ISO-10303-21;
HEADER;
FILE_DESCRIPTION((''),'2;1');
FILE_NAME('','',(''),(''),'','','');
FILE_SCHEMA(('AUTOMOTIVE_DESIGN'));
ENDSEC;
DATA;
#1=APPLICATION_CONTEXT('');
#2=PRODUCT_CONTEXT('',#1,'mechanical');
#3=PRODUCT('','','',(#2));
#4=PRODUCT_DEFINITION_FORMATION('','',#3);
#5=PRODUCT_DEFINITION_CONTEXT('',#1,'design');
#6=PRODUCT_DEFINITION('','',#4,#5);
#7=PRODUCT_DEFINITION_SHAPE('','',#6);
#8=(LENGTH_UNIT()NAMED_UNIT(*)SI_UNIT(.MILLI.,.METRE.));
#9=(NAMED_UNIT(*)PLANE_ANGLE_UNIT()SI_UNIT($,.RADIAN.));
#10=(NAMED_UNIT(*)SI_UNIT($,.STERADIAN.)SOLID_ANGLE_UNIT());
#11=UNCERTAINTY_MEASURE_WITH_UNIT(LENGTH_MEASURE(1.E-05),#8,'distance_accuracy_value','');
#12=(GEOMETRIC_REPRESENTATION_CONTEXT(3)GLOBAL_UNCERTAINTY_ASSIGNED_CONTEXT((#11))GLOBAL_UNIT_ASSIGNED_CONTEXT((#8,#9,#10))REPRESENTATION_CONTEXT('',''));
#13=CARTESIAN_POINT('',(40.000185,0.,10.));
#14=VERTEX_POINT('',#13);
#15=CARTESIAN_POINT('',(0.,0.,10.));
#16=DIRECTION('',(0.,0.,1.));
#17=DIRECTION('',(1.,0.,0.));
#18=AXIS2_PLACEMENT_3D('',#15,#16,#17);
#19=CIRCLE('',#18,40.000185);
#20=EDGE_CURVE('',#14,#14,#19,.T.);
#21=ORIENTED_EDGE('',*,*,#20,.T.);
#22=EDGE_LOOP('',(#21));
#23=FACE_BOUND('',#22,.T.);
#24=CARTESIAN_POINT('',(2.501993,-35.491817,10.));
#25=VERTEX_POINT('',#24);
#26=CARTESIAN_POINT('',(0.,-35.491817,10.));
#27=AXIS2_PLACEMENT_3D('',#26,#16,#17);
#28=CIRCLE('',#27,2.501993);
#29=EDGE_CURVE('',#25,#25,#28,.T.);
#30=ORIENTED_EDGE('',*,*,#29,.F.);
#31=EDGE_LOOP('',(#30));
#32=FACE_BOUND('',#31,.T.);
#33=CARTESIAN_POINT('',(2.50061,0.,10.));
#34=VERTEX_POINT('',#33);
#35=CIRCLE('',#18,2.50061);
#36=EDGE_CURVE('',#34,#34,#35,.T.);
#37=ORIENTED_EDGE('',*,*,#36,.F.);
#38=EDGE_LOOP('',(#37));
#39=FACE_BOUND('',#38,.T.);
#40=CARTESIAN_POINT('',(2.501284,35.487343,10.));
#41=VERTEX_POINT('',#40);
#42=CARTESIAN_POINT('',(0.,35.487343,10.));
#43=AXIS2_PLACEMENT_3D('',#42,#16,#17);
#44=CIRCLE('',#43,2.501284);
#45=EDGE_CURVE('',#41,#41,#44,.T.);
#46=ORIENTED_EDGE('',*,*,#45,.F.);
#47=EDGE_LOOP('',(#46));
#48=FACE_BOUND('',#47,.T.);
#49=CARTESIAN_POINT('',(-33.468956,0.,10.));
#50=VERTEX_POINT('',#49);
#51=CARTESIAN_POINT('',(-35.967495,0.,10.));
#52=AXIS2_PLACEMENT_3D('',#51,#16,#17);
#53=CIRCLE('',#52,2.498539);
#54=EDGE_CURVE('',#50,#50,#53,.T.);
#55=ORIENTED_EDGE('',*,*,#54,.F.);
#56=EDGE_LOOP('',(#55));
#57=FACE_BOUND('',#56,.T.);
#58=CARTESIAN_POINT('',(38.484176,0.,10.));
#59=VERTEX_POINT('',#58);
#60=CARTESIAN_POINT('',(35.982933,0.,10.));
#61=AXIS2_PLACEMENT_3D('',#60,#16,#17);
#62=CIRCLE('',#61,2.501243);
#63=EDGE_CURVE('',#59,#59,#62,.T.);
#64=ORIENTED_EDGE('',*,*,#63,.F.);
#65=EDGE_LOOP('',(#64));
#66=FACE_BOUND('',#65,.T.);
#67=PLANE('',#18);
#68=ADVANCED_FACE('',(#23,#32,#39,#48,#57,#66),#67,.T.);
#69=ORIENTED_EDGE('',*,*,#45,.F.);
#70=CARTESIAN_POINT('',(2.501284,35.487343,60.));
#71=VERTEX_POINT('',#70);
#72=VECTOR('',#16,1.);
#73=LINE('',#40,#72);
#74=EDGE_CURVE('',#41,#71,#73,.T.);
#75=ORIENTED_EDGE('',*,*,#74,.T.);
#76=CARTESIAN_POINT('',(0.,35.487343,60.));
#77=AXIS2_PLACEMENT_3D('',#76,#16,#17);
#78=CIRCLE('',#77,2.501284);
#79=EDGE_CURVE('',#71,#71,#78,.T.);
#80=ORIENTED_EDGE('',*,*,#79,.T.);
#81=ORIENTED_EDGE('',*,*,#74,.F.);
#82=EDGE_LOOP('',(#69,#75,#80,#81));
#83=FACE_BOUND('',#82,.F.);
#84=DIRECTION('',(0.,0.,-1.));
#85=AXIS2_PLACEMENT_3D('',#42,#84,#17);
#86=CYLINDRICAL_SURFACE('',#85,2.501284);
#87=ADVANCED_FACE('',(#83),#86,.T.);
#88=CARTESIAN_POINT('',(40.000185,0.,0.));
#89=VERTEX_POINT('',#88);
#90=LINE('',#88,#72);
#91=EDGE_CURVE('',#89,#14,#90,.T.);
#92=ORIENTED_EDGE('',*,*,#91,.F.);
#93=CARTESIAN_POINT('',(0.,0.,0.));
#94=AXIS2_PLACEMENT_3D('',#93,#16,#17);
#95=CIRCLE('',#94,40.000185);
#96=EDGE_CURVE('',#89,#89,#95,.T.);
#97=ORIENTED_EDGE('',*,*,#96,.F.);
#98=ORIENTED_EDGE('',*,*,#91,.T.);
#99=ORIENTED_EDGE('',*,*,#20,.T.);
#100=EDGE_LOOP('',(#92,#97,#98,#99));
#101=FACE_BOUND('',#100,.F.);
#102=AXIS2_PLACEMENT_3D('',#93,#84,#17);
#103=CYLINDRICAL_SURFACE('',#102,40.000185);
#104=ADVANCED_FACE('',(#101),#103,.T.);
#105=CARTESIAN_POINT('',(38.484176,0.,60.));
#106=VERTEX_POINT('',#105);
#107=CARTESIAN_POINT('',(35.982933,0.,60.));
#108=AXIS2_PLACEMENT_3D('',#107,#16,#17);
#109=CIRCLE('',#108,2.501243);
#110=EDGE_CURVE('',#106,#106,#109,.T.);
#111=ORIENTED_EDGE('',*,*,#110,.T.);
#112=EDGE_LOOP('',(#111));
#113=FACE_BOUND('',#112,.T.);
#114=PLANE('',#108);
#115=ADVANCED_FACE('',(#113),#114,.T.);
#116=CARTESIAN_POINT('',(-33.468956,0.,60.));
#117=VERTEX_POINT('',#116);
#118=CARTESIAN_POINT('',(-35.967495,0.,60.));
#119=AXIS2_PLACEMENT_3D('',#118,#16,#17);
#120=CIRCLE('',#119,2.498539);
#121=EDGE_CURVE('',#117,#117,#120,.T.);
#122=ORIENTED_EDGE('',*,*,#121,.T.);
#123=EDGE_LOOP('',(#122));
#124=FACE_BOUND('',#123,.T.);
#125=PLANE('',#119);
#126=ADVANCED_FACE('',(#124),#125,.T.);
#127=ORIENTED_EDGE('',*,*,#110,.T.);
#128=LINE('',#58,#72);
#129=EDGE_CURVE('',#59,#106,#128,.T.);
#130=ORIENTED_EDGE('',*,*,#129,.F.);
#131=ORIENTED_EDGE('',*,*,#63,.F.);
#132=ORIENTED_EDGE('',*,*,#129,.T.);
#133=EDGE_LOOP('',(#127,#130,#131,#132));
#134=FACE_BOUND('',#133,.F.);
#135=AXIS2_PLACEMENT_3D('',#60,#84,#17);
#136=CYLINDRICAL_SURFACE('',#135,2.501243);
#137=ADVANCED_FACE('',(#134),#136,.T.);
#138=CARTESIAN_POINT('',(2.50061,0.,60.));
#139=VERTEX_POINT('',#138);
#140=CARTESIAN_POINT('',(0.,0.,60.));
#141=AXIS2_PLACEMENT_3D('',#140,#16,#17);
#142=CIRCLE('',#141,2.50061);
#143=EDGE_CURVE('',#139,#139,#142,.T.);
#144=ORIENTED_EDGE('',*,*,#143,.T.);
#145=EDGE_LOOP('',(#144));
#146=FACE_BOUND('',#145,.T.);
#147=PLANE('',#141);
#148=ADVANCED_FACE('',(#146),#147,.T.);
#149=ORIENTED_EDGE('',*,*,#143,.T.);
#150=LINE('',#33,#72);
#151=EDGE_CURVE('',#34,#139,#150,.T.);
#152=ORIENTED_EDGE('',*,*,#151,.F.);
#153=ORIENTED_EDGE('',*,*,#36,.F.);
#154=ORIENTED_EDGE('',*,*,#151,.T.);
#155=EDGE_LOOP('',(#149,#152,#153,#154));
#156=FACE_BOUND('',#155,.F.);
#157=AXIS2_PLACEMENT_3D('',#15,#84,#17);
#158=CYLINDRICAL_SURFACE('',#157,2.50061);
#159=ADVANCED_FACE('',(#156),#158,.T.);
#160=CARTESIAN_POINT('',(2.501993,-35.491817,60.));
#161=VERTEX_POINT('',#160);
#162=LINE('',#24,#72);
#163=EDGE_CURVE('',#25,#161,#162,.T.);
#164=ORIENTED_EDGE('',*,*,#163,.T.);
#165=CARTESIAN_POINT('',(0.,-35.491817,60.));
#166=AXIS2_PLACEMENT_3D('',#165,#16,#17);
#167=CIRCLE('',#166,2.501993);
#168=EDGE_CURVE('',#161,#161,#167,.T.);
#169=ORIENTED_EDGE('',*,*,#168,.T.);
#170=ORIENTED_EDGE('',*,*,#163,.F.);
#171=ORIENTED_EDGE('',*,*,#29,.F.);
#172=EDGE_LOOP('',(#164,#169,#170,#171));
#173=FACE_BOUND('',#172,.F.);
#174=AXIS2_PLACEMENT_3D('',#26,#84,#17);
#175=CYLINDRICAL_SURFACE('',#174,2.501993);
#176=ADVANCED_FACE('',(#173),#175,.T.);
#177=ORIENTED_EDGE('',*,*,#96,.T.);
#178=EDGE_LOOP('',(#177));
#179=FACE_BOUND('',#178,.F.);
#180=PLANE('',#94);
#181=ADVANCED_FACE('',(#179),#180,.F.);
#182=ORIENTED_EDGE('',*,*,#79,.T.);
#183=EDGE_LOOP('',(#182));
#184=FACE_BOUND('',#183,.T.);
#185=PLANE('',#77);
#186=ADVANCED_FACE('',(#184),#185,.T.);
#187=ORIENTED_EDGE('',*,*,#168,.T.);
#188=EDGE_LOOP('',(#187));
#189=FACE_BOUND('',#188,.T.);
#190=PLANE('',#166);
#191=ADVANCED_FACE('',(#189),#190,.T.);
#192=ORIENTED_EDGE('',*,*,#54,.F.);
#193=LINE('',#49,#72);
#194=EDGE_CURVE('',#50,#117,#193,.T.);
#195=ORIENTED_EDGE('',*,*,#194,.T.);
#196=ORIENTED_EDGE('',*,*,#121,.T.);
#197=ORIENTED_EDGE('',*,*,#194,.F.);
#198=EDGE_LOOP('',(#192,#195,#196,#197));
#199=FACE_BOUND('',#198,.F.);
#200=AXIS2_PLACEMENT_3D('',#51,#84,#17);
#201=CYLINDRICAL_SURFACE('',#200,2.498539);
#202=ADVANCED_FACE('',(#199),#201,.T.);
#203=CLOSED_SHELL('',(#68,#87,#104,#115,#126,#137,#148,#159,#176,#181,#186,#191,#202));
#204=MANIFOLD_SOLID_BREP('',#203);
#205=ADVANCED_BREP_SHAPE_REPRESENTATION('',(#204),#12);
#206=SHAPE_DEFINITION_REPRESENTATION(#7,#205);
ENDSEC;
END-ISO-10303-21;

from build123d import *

# Parameters (mm, degrees)
F0_R     = 40.000185
F1_DEPTH = 10
F2_R     = 2.50061
F3_DEPTH = 50
F4_R     = 2.501284
F4_R_2   = 2.498539
F4_R_3   = 2.501993
F4_R_4   = 2.501243
F5_DEPTH = 50


with BuildPart() as f1:
    # F0 (on Top) → F1 (new body)
    with BuildSketch(Plane.XY):
        Circle(F0_R)
    extrude(amount=F1_DEPTH)

    # F2 (on face) → F3 (join)
    with BuildSketch(Plane.XY.offset(10)):
        Circle(F2_R)
    extrude(amount=F3_DEPTH)

    # F4 (on face) → F5 (join)
    with BuildSketch(Plane.XY.offset(10)):
        with Locations((0, 35.487343)):
            Circle(F4_R)
        with Locations((-35.967495, 0)):
            Circle(F4_R_2)
        with Locations((0, -35.491817)):
            Circle(F4_R_3)
        with Locations((35.982933, 0)):
            Circle(F4_R_4)
    extrude(amount=F5_DEPTH)


solid = f1.part
